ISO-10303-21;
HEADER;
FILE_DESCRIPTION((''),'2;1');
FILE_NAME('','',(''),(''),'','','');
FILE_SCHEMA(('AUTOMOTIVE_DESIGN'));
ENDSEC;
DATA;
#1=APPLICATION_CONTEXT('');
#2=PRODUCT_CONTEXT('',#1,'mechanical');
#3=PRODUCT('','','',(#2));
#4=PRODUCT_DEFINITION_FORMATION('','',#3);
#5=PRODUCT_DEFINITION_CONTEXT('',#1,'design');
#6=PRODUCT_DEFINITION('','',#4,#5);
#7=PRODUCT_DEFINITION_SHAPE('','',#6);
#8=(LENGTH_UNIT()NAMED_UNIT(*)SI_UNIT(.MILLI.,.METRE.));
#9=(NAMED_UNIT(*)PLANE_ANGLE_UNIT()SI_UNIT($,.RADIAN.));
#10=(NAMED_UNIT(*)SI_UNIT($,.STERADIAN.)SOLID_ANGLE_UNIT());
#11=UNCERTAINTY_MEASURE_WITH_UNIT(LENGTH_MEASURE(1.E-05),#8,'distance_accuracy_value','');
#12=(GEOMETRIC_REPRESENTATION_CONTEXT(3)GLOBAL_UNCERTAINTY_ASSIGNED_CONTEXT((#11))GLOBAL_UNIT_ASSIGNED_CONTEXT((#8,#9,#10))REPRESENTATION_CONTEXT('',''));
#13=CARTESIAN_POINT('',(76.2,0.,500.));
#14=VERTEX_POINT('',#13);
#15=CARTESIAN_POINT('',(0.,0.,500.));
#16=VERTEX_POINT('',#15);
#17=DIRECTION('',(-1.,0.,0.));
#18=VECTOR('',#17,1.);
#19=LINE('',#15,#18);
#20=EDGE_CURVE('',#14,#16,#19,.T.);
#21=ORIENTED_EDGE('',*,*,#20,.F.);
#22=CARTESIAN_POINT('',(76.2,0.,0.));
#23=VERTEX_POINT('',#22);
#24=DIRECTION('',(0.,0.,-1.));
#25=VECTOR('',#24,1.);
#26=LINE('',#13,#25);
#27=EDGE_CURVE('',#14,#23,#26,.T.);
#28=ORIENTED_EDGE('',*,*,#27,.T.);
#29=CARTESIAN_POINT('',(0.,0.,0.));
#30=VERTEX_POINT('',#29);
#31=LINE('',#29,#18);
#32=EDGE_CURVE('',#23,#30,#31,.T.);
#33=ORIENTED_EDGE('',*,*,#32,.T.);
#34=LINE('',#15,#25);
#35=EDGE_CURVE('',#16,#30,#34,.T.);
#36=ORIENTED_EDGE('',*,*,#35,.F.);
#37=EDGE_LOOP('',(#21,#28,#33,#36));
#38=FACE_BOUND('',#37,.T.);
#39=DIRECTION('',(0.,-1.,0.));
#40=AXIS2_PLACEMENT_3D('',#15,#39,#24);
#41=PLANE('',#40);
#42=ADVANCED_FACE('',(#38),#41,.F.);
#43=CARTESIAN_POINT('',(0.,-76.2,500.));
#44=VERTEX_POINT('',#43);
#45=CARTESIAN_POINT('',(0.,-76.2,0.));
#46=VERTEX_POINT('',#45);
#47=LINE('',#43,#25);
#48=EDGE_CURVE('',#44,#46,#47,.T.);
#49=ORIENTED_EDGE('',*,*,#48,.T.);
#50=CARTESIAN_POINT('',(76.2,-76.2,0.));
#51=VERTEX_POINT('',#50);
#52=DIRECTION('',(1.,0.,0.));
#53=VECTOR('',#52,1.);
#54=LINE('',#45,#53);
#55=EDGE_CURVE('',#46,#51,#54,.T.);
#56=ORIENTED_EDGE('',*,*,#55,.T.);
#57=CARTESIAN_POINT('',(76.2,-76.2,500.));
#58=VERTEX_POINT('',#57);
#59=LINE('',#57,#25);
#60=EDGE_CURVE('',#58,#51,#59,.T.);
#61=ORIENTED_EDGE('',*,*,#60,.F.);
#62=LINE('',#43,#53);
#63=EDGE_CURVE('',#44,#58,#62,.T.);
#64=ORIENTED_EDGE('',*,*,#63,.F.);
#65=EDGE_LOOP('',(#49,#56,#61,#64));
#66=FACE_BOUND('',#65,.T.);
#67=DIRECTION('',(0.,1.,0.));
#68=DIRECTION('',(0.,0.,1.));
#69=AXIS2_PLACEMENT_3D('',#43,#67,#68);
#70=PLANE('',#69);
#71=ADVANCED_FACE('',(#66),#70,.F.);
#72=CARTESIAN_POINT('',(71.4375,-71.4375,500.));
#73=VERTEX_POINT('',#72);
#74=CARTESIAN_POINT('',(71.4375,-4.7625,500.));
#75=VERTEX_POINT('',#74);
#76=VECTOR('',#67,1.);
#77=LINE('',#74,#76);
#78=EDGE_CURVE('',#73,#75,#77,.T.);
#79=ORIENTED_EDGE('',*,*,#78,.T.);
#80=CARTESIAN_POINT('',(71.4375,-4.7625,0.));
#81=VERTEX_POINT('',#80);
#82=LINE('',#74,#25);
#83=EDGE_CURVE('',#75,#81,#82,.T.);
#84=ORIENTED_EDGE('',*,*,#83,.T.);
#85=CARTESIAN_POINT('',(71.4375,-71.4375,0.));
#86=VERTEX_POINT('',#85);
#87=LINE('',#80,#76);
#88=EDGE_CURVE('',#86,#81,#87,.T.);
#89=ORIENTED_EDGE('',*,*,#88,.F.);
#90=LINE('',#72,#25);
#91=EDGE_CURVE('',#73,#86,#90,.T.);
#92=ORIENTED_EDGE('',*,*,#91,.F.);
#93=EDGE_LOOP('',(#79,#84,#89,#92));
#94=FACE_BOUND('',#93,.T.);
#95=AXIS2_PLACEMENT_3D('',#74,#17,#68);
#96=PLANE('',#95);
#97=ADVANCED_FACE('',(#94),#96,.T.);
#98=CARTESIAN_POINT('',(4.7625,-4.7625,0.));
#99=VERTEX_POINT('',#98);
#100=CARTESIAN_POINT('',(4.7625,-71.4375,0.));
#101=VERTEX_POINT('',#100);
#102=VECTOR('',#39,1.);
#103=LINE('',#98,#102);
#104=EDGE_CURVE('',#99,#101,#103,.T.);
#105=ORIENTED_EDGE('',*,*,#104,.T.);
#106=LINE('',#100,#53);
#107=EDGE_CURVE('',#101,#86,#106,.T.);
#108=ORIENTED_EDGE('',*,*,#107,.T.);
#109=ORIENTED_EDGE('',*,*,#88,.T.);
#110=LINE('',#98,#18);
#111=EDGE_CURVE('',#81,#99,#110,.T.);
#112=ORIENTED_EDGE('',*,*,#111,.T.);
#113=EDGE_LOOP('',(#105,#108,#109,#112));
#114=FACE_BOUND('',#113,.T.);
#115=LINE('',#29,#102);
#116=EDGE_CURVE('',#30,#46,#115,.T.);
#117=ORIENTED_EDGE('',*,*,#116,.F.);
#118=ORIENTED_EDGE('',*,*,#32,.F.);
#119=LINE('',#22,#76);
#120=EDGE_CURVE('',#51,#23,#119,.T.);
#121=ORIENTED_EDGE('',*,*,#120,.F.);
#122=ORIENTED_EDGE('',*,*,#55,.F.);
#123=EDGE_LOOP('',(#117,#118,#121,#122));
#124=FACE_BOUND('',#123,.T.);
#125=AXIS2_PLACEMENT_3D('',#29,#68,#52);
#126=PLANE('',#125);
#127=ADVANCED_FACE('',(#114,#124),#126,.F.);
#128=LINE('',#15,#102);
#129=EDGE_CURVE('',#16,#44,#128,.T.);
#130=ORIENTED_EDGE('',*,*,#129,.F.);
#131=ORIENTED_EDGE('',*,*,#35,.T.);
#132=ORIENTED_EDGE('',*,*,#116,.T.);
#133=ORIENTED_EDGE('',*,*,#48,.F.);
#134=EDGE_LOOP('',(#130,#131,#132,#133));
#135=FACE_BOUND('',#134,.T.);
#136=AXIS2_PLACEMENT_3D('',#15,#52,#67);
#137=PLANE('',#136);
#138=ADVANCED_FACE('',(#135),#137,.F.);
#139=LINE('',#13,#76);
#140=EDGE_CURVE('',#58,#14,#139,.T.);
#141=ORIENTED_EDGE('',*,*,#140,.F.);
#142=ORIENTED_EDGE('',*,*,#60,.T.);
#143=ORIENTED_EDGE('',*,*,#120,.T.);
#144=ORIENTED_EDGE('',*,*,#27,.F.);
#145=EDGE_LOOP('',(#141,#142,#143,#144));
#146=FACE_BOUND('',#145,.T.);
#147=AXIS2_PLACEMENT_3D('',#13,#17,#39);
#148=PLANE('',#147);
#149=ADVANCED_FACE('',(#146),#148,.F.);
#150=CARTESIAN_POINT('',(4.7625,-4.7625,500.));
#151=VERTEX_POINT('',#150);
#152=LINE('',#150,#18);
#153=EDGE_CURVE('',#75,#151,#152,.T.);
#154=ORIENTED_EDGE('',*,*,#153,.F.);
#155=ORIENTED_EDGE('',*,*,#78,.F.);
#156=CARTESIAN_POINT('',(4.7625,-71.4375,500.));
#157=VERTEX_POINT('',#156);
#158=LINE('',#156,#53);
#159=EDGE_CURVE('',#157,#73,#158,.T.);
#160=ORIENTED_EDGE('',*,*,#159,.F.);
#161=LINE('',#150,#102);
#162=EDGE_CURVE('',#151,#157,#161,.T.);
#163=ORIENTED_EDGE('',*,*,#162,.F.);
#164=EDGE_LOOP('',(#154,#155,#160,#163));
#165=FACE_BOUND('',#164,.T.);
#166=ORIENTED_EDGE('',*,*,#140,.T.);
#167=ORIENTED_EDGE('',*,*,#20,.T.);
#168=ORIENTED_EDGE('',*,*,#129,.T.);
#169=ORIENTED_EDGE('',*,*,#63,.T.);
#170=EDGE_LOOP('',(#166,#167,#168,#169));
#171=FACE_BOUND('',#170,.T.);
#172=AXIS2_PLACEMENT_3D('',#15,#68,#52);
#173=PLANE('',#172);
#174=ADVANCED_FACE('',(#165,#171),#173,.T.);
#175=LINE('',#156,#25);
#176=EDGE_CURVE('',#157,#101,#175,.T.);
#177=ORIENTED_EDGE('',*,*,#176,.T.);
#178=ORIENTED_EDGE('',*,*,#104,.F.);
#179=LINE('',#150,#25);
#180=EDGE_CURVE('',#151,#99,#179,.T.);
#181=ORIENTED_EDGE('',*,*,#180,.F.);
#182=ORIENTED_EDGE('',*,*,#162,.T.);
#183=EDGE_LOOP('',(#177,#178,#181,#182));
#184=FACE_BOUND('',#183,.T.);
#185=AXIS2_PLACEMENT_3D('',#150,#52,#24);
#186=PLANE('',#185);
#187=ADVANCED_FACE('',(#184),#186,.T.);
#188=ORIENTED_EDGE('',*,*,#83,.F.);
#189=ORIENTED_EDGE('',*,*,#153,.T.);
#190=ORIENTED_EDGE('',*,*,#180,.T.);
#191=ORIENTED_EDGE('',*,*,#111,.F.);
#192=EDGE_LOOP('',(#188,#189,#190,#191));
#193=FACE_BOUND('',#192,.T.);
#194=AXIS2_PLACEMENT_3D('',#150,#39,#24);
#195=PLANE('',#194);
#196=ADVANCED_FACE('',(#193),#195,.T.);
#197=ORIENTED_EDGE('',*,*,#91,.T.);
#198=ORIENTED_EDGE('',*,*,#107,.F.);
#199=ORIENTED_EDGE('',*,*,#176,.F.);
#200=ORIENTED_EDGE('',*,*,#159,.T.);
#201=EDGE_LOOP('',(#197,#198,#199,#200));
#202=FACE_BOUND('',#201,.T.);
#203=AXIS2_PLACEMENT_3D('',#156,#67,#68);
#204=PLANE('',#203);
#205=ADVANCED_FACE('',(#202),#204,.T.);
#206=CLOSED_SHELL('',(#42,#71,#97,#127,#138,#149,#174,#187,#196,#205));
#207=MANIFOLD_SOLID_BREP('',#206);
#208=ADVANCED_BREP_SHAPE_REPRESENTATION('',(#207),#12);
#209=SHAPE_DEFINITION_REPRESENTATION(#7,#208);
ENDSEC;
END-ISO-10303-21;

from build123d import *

# Parameters (mm, degrees)
CROQUIS1_W              = 76.2
CROQUIS1_H              = 76.2
CROQUIS1_W_2            = 66.675
CROQUIS1_H_2            = 66.675
SALIENTE_EXTRUIR1_DEPTH = 500


with BuildPart() as part:
    # Croquis1 → Saliente-Extruir1 (new body)
    with BuildSketch(Plane.XY):
        with Locations((38.1, -38.1)):
            Rectangle(CROQUIS1_W, CROQUIS1_H)
        with Locations((38.1, -38.1)):
            Rectangle(CROQUIS1_W_2, CROQUIS1_H_2, mode=Mode.SUBTRACT)
    extrude(amount=SALIENTE_EXTRUIR1_DEPTH)


solid = part.part
